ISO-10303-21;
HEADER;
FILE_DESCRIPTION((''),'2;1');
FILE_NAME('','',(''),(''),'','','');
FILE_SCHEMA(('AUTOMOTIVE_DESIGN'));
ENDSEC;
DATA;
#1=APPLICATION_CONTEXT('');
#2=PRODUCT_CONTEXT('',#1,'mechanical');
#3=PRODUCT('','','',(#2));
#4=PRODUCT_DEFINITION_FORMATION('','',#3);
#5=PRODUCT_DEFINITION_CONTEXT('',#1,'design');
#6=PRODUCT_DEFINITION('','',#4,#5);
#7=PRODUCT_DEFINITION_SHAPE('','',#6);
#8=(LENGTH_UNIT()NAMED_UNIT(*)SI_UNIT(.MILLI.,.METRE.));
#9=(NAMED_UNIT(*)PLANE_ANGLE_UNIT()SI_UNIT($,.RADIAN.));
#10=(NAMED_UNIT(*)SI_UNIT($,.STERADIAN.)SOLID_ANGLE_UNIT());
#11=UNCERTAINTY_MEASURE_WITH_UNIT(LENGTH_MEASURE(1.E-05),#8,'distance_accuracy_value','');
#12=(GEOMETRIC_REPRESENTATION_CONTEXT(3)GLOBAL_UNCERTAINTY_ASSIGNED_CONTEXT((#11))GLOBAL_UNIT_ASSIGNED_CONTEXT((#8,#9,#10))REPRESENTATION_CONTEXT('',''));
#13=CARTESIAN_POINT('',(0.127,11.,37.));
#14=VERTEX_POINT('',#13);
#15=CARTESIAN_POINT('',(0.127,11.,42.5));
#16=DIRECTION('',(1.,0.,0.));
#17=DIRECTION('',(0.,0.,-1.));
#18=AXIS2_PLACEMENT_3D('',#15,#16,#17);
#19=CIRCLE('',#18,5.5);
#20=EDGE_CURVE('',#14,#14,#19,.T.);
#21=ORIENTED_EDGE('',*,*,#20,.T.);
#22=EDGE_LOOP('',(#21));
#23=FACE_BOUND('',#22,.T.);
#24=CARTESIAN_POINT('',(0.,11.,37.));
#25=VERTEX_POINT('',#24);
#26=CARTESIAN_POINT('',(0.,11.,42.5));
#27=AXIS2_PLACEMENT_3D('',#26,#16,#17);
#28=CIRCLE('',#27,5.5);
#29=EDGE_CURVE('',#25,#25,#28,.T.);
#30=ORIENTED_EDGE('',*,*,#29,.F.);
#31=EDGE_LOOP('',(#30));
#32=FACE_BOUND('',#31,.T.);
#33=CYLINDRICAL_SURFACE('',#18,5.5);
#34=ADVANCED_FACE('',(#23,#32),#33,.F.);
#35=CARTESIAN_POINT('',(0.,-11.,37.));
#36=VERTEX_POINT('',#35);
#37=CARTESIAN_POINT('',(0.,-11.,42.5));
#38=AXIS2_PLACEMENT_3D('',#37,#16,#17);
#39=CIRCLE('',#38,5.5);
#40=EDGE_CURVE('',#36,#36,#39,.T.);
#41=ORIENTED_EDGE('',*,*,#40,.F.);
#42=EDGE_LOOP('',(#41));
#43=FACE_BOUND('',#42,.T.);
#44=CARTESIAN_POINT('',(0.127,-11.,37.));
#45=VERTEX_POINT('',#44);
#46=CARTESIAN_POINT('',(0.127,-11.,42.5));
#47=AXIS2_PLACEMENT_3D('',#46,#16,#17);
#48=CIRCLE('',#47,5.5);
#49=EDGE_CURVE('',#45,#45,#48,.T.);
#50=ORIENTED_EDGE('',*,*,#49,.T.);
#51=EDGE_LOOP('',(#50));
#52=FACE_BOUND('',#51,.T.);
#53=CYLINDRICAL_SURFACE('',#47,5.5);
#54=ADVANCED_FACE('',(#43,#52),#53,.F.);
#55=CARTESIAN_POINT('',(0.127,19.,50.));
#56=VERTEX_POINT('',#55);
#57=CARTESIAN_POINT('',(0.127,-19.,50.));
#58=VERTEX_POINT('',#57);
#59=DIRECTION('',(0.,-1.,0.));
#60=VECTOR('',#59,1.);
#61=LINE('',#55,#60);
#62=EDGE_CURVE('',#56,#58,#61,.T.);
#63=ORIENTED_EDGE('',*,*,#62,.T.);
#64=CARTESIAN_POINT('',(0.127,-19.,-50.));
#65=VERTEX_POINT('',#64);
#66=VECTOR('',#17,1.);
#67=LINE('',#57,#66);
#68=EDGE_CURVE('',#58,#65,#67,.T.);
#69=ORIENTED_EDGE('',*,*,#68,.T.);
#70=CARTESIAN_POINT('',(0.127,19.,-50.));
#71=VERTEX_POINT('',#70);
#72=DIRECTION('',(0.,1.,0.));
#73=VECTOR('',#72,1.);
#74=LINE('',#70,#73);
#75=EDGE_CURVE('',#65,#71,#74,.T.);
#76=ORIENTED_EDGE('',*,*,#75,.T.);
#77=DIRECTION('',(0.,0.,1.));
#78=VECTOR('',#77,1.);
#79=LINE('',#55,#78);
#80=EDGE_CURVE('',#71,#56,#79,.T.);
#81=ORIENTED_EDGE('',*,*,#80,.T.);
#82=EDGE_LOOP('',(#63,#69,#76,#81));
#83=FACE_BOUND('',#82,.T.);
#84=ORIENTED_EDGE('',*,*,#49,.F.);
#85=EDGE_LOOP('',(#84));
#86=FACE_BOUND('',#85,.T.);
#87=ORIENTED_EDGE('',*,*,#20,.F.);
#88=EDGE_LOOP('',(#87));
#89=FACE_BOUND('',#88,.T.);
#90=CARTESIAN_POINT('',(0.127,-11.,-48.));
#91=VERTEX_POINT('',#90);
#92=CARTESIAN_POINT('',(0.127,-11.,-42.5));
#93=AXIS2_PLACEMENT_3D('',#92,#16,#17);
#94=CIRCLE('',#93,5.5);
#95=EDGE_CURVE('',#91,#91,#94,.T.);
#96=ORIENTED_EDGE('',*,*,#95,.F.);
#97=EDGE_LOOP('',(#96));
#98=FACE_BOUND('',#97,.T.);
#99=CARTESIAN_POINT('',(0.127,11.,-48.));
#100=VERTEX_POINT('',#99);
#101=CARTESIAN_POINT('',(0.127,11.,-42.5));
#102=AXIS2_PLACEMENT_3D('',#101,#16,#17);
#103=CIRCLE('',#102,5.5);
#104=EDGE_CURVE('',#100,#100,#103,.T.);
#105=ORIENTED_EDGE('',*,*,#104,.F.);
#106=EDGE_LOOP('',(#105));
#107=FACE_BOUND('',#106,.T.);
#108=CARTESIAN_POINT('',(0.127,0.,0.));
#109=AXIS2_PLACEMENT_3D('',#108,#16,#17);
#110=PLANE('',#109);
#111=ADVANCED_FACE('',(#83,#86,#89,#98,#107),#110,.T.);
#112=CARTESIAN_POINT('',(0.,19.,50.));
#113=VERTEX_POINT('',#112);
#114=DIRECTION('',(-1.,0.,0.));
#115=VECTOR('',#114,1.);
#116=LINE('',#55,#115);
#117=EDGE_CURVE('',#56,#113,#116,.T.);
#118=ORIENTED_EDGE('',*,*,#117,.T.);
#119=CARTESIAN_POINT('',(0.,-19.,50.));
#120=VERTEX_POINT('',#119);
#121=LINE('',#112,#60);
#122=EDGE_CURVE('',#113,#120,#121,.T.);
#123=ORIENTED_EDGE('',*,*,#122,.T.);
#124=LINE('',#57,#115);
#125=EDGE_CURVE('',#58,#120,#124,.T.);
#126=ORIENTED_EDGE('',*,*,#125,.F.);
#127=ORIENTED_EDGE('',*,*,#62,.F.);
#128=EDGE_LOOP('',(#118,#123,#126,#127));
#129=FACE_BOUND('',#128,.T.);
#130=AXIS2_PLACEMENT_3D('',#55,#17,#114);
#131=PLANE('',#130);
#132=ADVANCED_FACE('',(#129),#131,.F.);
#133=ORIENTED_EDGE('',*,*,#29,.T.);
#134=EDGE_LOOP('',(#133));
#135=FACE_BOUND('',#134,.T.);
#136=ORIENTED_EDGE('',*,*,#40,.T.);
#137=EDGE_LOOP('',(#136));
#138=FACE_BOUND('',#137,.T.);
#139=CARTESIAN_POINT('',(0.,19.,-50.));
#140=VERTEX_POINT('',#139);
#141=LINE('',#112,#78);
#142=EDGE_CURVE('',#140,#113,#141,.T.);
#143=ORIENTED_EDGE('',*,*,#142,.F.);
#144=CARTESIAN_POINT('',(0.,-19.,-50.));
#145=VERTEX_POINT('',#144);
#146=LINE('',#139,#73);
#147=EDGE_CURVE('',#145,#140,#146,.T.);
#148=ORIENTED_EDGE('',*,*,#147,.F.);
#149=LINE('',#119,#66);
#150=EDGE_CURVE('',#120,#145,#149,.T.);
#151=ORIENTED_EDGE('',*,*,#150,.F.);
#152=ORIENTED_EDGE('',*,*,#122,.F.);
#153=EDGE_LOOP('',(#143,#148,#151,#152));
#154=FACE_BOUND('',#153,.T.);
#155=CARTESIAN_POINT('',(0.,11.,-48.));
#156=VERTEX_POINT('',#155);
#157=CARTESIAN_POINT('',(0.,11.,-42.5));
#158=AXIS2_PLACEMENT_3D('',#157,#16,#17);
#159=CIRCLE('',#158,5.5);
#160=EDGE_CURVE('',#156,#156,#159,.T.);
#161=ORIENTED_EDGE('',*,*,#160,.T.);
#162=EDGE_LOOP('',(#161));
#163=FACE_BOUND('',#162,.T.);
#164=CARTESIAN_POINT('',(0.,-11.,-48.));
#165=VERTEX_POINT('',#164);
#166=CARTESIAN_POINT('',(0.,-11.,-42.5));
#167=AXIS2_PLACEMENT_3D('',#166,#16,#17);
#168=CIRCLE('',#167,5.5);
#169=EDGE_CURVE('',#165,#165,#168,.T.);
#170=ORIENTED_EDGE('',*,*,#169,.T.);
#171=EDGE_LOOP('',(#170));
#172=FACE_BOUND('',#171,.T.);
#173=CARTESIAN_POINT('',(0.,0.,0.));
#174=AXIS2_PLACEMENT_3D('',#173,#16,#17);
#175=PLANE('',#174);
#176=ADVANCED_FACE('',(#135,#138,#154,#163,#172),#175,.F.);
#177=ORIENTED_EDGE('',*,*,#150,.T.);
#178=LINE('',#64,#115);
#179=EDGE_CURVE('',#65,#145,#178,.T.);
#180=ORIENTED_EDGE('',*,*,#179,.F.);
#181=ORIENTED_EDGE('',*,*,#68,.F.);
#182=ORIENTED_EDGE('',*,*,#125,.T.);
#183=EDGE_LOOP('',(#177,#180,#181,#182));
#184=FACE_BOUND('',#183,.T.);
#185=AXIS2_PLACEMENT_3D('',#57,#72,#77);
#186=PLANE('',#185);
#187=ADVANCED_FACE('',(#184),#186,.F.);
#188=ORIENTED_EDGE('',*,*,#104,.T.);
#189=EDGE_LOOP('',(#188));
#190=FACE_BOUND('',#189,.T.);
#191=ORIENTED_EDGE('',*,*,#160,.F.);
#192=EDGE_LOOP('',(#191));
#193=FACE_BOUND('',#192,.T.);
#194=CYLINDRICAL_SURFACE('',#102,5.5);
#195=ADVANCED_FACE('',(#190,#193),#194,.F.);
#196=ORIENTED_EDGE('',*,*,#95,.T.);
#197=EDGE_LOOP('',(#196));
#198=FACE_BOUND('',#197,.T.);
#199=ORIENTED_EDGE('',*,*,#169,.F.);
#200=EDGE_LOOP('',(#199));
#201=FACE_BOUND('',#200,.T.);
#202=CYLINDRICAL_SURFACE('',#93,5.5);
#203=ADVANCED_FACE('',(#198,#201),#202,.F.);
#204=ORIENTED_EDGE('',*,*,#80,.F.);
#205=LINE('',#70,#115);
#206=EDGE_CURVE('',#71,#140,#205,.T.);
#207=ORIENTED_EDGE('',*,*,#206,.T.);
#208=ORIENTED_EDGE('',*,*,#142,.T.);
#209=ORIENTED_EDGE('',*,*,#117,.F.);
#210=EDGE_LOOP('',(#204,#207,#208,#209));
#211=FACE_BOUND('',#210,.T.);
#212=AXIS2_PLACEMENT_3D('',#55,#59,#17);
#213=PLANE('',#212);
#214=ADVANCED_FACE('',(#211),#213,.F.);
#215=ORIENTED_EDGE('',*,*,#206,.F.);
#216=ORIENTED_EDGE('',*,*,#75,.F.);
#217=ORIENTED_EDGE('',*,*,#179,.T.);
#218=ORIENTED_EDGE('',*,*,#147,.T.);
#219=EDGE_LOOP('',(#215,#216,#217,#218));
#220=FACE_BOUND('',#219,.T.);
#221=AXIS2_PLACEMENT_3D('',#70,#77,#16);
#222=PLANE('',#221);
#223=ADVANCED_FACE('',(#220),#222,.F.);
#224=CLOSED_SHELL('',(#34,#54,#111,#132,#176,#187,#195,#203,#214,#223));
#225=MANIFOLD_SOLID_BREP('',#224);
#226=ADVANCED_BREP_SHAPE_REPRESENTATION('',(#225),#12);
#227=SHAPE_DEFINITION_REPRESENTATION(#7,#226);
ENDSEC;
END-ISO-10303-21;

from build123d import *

# Parameters (mm, degrees)
SKETCH1_W             = 100
SKETCH1_H             = 38
BOSS_EXTRUDE1_DEPTH   = 0.127
M10_CLEARANCE_HOLE1_D = 11


with BuildPart() as part:
    # Sketch1 → Boss-Extrude1 (new body)
    with BuildSketch(Plane(origin=(0, 0, 0), x_dir=(0, 0, -1), z_dir=(1, 0, 0))):
        Rectangle(SKETCH1_W, SKETCH1_H)
    extrude(amount=BOSS_EXTRUDE1_DEPTH)

    # M10 Clearance Hole1 (through all)
    with Locations(Plane(origin=(0.127, 0, 0), x_dir=(0, 0, -1), z_dir=(1, 0, 0))):
        with Locations((-42.5, 11), (-42.5, -11), (42.5, 11), (42.5, -11)):
            Hole(M10_CLEARANCE_HOLE1_D / 2)


solid = part.part
